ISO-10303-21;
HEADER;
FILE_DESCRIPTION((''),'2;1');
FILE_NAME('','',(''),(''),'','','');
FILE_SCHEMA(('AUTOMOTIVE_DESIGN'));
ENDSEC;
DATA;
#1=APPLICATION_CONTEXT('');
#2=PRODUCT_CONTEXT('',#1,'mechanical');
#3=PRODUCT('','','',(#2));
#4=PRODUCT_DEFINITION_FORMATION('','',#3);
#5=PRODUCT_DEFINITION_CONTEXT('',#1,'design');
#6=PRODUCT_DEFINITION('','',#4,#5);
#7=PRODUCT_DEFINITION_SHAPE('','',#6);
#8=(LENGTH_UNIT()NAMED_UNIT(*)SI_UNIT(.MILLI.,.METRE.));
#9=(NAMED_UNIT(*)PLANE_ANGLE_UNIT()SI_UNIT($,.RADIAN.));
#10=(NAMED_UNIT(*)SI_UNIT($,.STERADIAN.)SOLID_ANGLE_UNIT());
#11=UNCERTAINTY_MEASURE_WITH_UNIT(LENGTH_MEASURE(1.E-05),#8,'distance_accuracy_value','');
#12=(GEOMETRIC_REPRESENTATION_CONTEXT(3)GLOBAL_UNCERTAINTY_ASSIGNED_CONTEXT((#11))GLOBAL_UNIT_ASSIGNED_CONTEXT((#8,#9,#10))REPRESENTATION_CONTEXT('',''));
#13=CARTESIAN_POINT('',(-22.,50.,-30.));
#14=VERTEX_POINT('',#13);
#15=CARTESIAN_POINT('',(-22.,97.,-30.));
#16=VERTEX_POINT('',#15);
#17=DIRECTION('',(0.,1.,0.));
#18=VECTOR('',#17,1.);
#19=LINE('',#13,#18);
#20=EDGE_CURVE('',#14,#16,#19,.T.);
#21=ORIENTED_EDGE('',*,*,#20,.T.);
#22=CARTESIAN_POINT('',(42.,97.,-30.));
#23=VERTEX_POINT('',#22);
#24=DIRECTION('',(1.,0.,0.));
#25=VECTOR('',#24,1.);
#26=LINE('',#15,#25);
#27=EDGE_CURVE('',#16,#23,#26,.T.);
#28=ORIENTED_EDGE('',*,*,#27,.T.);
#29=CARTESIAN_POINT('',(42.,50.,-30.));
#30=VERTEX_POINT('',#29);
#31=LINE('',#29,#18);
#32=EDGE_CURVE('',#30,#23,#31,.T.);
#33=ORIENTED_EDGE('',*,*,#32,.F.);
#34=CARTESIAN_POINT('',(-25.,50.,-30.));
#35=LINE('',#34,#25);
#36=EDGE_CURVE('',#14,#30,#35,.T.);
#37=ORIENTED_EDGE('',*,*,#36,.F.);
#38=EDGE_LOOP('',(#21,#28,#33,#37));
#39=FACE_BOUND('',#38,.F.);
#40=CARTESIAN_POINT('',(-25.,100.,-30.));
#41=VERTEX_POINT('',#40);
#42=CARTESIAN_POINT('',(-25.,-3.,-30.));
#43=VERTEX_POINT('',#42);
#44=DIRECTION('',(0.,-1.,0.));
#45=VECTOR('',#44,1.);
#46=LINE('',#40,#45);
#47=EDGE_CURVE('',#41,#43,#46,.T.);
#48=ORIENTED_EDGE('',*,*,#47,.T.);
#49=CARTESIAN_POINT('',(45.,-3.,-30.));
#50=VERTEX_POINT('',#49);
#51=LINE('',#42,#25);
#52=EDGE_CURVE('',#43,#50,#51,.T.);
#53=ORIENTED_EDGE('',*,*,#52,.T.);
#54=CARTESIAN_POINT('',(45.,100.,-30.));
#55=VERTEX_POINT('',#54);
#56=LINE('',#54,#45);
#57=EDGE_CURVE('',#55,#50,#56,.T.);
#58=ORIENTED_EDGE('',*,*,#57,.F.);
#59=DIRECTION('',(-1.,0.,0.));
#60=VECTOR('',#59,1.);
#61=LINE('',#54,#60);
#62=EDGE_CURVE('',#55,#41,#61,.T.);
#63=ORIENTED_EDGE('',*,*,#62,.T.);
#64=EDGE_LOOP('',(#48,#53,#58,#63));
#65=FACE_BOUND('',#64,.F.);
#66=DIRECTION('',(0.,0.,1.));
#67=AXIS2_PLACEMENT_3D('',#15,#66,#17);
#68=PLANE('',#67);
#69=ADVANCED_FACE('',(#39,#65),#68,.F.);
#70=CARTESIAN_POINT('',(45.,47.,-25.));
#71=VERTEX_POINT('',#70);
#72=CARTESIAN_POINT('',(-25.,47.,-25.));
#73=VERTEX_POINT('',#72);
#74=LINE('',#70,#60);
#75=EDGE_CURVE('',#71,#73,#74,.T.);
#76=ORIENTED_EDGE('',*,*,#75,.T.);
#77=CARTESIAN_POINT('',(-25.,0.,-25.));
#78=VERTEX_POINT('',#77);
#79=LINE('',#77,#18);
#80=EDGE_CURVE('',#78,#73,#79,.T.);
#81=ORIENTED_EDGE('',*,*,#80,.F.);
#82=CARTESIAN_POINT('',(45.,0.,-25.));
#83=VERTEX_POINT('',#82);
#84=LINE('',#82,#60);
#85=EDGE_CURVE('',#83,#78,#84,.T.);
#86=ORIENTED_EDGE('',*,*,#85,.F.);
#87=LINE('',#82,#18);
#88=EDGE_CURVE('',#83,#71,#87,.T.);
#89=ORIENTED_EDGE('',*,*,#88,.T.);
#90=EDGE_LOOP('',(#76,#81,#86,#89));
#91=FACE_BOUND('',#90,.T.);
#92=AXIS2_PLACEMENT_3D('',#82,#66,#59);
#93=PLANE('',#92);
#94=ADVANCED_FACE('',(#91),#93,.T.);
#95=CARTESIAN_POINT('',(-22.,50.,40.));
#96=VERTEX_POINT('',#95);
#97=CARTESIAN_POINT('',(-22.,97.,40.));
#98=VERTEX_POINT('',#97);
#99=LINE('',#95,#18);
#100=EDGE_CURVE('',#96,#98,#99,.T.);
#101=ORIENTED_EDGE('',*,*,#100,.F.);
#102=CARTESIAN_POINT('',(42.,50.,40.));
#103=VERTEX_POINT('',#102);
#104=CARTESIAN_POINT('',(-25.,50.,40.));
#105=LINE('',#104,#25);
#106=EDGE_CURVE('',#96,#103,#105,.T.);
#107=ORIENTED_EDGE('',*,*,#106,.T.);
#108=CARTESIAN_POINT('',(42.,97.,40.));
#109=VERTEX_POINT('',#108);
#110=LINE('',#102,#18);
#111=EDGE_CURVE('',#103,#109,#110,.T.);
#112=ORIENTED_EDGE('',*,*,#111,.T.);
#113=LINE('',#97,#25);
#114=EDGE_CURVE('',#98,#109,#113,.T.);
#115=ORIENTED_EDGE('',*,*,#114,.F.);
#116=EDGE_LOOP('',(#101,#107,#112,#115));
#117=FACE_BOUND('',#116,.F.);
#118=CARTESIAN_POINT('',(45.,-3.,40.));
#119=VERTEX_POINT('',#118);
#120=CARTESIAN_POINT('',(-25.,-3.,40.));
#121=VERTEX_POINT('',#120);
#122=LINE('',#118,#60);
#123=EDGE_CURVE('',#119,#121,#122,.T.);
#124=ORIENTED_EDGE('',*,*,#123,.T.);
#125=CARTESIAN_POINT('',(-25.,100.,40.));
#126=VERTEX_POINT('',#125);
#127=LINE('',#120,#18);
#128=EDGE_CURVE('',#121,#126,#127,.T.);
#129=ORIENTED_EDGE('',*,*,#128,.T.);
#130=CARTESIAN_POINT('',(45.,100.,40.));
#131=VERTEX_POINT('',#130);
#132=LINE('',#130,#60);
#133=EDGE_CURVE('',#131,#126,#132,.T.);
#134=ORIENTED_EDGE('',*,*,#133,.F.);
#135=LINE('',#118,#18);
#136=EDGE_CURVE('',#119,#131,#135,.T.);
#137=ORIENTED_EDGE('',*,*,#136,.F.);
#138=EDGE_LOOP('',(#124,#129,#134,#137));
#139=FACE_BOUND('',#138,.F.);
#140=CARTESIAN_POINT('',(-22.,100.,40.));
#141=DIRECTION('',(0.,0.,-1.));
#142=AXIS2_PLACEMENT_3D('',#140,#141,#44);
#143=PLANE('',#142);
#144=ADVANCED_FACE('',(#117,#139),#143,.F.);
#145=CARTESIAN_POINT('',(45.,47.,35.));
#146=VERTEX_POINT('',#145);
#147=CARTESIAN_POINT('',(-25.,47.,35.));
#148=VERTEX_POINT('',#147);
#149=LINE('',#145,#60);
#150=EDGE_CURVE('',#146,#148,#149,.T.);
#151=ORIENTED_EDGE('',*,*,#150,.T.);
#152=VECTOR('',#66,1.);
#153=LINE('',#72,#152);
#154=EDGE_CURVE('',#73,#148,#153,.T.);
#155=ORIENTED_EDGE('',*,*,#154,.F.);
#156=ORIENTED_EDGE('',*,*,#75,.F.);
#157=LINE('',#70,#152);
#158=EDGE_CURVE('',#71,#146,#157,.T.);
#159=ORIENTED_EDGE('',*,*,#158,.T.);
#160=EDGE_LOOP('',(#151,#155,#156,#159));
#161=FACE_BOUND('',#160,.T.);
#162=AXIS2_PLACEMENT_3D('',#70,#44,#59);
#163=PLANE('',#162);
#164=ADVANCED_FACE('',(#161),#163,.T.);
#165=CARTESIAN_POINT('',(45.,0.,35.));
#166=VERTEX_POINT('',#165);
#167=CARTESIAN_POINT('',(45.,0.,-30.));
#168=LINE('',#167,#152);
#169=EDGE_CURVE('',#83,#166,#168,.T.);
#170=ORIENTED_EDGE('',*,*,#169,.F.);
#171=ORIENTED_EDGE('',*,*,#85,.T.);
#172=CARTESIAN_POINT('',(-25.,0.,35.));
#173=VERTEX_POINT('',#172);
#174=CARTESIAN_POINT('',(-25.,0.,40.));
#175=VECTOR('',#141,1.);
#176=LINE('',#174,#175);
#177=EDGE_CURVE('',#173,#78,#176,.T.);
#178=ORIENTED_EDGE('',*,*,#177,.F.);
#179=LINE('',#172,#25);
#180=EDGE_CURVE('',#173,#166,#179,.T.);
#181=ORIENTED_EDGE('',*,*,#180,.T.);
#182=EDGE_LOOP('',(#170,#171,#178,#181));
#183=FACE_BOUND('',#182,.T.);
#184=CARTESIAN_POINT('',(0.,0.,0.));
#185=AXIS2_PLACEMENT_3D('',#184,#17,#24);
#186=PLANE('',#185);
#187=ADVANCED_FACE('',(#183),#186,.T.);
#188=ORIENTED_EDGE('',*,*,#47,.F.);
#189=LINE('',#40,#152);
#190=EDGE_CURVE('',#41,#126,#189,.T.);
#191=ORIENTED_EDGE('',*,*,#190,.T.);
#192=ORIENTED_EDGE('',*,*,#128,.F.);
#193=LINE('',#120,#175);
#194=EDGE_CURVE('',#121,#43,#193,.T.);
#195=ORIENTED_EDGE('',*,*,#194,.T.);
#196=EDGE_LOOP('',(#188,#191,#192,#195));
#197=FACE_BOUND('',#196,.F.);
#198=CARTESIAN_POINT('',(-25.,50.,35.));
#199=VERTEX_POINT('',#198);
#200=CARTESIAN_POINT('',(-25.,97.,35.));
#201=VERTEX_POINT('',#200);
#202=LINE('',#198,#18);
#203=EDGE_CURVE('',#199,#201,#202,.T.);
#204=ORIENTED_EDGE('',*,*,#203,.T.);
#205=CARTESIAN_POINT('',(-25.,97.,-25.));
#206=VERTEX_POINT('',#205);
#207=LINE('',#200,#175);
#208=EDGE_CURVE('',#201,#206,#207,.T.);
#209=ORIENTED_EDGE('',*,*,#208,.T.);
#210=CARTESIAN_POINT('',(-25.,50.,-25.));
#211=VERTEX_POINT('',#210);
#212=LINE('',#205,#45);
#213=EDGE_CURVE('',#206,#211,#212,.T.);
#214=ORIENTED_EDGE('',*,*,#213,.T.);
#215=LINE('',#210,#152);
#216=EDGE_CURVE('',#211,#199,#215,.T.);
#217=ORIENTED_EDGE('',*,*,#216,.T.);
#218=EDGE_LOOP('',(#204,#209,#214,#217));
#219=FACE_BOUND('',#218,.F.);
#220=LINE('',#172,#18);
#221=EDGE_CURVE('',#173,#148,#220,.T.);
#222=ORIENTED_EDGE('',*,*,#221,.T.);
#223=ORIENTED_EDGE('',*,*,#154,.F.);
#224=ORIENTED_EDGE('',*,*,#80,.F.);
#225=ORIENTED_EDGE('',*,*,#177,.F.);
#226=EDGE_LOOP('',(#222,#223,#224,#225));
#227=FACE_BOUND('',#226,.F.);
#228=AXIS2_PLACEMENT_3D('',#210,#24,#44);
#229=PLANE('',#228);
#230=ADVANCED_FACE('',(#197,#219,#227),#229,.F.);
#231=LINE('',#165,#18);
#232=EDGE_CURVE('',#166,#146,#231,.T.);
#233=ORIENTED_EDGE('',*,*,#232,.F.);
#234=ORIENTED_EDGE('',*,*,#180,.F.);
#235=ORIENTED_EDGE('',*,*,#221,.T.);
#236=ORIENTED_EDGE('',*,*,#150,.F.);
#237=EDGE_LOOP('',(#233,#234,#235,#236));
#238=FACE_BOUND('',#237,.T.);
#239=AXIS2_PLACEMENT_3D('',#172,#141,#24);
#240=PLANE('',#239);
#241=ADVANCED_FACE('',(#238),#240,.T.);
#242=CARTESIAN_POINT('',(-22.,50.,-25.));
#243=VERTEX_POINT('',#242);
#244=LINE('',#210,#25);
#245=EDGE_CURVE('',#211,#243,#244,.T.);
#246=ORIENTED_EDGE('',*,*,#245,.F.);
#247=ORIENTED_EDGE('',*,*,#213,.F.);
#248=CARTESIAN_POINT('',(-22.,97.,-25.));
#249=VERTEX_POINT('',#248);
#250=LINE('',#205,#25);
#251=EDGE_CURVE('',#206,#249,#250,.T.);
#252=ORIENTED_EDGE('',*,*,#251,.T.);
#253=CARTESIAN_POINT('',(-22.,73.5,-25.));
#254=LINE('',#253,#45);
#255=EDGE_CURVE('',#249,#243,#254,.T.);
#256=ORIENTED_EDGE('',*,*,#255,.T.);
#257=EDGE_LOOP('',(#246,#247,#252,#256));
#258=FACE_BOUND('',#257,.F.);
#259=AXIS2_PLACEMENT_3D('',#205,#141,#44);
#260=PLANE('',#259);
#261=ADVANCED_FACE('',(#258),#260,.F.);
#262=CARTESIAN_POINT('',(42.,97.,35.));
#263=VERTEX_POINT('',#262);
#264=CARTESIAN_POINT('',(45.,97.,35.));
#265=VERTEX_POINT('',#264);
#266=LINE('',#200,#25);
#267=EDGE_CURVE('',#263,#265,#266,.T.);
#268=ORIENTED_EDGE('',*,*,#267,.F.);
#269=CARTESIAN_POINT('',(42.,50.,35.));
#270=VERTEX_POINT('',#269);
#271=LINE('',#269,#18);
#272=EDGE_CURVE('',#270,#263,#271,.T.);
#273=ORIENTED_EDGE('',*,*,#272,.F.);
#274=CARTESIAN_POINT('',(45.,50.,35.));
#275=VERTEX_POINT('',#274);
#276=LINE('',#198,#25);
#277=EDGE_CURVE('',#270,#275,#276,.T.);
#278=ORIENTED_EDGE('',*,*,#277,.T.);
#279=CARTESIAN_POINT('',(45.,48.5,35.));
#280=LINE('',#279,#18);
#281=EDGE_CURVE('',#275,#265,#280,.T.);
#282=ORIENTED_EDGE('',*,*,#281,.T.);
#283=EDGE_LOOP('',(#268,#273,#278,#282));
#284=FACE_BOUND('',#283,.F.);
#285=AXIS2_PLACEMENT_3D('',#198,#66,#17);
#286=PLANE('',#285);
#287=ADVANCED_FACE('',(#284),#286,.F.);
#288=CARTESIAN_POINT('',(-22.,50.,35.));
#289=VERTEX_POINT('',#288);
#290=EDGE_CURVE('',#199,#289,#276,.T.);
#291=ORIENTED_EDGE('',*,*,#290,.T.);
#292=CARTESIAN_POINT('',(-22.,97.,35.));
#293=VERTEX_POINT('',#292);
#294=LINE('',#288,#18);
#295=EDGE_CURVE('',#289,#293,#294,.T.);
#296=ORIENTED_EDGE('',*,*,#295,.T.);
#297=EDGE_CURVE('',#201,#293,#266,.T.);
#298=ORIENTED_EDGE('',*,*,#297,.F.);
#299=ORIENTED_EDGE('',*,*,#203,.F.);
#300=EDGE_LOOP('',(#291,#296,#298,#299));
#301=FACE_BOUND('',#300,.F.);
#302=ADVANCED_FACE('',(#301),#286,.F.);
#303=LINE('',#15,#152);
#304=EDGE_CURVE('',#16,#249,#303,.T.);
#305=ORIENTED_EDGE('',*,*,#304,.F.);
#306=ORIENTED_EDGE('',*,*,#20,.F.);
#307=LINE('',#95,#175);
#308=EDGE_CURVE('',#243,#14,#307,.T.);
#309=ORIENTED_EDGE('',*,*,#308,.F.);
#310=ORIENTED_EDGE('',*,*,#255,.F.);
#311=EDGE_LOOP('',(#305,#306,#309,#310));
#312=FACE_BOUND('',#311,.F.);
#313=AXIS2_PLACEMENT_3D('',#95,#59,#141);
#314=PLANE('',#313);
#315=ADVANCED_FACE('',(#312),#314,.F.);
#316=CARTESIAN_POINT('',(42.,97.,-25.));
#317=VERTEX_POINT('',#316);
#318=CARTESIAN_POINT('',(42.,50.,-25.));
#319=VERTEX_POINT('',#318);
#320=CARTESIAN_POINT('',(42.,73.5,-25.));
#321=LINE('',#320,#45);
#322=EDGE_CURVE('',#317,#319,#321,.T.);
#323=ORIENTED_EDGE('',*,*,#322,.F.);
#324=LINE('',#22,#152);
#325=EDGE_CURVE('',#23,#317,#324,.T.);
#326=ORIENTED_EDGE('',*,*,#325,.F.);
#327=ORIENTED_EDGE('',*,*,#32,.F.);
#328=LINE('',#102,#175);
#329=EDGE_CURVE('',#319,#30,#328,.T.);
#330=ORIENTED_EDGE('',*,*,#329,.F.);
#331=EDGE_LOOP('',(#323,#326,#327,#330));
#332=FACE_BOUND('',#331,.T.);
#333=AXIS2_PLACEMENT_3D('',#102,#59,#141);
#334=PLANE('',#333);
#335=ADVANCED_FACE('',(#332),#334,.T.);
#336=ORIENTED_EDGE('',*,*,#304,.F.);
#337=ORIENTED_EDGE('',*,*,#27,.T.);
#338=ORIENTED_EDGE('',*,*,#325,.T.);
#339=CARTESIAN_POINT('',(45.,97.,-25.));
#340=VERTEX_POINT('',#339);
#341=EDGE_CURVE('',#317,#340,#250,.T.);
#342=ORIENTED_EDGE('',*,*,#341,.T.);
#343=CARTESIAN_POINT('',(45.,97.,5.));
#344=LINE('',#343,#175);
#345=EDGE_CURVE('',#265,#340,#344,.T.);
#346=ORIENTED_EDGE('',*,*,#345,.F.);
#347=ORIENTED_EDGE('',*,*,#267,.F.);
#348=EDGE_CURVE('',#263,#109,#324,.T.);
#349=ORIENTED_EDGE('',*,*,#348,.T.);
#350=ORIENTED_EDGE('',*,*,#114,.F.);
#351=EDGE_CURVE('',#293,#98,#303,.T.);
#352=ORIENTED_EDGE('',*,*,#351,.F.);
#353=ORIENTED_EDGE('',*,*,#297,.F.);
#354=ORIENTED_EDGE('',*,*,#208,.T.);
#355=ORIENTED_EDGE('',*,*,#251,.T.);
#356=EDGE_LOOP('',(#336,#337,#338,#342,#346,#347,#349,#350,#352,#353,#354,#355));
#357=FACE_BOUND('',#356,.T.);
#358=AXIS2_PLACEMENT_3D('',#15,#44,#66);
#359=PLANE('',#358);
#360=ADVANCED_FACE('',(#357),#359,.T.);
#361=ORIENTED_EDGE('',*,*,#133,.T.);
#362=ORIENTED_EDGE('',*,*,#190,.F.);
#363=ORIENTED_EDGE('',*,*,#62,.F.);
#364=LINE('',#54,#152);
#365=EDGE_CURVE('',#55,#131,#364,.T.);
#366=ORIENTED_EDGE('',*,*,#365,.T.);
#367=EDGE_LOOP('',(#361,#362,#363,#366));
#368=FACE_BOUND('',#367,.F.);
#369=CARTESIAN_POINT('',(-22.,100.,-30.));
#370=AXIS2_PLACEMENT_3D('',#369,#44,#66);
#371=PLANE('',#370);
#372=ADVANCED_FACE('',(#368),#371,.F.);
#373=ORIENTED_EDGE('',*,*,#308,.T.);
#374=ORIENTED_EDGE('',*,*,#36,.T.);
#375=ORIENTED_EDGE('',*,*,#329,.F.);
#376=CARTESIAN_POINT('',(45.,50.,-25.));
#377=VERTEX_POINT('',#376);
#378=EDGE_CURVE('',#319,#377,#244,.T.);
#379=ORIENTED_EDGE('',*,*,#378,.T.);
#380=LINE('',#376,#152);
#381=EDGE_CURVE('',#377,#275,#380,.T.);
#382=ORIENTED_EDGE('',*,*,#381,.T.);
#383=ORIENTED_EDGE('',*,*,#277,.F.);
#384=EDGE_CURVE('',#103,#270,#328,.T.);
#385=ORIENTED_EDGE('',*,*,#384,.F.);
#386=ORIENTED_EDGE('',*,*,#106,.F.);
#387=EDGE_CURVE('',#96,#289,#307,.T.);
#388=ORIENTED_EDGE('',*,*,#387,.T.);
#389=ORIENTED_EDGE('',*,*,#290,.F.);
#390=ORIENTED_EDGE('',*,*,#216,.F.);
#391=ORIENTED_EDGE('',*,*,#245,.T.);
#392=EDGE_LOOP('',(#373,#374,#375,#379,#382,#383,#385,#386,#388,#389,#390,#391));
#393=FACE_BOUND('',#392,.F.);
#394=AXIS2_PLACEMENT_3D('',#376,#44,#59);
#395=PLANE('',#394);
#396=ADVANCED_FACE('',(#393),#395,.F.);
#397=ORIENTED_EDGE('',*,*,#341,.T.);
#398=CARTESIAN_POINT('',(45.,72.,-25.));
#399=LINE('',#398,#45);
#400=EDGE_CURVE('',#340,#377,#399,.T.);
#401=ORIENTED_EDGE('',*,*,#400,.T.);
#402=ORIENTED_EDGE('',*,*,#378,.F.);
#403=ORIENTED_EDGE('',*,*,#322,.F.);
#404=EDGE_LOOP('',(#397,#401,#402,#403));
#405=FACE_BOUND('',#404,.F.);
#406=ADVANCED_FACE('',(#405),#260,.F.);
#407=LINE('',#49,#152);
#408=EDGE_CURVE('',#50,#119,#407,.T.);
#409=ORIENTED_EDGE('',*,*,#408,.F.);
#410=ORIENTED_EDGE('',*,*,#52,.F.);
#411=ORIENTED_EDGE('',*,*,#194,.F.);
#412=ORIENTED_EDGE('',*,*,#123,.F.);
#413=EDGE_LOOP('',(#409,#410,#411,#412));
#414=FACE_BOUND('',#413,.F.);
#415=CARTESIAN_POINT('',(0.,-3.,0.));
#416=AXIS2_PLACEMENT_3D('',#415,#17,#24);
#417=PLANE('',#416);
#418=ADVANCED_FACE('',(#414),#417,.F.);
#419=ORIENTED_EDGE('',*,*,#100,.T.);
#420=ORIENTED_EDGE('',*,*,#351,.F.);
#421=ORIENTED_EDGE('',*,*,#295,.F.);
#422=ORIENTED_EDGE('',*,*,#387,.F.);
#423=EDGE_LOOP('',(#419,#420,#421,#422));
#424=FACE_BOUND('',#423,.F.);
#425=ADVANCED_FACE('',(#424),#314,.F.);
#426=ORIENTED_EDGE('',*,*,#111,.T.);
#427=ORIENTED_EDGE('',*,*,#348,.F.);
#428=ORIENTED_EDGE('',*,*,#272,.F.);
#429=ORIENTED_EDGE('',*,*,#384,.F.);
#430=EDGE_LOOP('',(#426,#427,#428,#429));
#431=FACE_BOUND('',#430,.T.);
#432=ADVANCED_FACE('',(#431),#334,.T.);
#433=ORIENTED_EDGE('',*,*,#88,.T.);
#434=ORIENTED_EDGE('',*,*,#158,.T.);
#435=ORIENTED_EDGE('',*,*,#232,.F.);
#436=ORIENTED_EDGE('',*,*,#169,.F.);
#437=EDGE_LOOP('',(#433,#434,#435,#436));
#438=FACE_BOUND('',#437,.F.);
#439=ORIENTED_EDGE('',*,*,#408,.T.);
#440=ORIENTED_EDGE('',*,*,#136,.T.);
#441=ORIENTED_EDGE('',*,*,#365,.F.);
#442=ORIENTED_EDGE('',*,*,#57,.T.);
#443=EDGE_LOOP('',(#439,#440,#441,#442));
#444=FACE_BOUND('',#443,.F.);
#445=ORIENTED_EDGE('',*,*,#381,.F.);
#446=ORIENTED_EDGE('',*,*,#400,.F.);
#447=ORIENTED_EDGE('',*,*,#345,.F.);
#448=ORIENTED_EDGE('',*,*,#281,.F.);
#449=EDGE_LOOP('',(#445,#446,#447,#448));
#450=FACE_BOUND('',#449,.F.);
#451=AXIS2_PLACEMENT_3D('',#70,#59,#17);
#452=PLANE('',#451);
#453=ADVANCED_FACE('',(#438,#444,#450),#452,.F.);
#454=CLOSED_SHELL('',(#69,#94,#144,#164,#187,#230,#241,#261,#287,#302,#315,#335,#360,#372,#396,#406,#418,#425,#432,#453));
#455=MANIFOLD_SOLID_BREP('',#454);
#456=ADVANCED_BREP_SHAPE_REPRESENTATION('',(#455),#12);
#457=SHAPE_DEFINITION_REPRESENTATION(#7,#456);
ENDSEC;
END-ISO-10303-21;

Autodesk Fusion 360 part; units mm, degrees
sketch "Sketch1" plane through (0, 0, 0) normal (0, 1, 0) x (1, 0, 0)
  line L0 (-25, 30) -> (45, 30)
  line L1 (45, 30) -> (45, -40)
  line L2 (45, -40) -> (-25, -40)
  line L3 (-25, -40) -> (-25, 30)
  dimension "d1" = 70
  dimension "d2" = 70
extrude "Extrude1" add sketch "Sketch1" against normal blind 3
sketch "Sketch2" plane through (0, 0, 0) normal (0, 1, 0) x (-1, 0, 0)
  line L0 (25, 40) -> (-45, 40)
  line L1 (-45, 40) -> (-45, -30)
  line L2 (-45, -30) -> (25, -30)
  line L3 (25, -30) -> (25, 40)
  line L4 (25, 35) -> (-45, 35)
  line L5 (-45, 35) -> (-45, 40)
  line L6 (-45, 40) -> (25, 40)
  line L7 (25, 40) -> (25, 35)
sketch "Sketch3" plane through (0, 0, 0) normal (0, 1, 0) x (-1, 0, 0)
  line L0 (25, -30) -> (-45, -30)
  line L1 (-45, -30) -> (-45, -25)
  line L2 (-45, -25) -> (25, -25)
  line L3 (25, -25) -> (25, -30)
extrude "Extrude2" add sketch "Sketch2" sketch "Sketch3" along normal blind 50 contours L0 L1 L3 L4 L5 L6 L7 of sketch 2
sketch "Sketch4" plane through (0, 0, -25) normal (0, 0, 1) x (1, 0, 0)
  line L0 (-25, 0) -> (45, 0)
  line L1 (45, 0) -> (45, 50)
  line L2 (45, 50) -> (-25, 50)
  line L3 (-25, 50) -> (-25, 0)
  line L4 (-25, 50) -> (45, 50)
  line L5 (45, 50) -> (45, 47)
  line L6 (45, 47) -> (-25, 47)
  line L7 (-25, 47) -> (-25, 50)
extrude "Extrude3" add sketch "Sketch4" along normal blind 60 contours L1 L2 L3 L4 L5 L6 L7
sketch "Sketch5" plane through (0, 50, 0) normal (0, 1, 0) x (-1, 0, 0)
  line L0 (-45, 40) -> (-45, -30)
  line L1 (-45, -30) -> (25, -30)
  line L2 (25, -30) -> (25, 40)
  line L3 (25, 40) -> (-45, 40)
  line L4 (25, 40) -> (22, 40)
  line L5 (22, 40) -> (22, -30)
  line L6 (22, -30) -> (25, -30)
  line L7 (25, -30) -> (25, 40)
  dimension "d9" = 3
sketch "Sketch6" plane through (0, 50, 0) normal (0, 1, 0) x (-1, 0, 0)
  line L0 (-45, 40) -> (-42, 40)
  line L1 (-42, 40) -> (-42, -30)
  line L2 (-42, -30) -> (-45, -30)
  line L3 (-45, -30) -> (-45, 40)
  dimension "d10" = 3
extrude "Extrude4" add sketch "Sketch6" sketch "Sketch5" along normal blind 50 of sketch 2 contours L1 L2 L3 L4 L5 L6 L7
sketch "Sketch7" plane through (-22, 0, 0) normal (1, 0, 0) x (0, 0, -1)
  line L0 (-40, 50) -> (30, 50)
  line L1 (30, 50) -> (30, 100)
  line L2 (30, 100) -> (-40, 100)
  line L3 (-40, 100) -> (-40, 50)
  line L4 (-40, 100) -> (30, 100)
  line L5 (30, 100) -> (30, 97)
  line L6 (30, 97) -> (-40, 97)
  line L7 (-40, 97) -> (-40, 100)
  dimension "d13" = 3
extrude "Extrude5" add sketch "Sketch7" along normal blind 64 contours L1 L2 L3 L4 L5 L6 L7
sketch "Sketch8" plane through (-25, 0, 0) normal (-1, 0, 0) x (0, 0, 1)
  line L0 (-30, 100) -> (-30, -3)
  line L1 (-30, -3) -> (40, -3)
  line L2 (40, -3) -> (40, 100)
  line L3 (40, 100) -> (-30, 100)
  line L4 (-25, 47) -> (35, 47)
  line L5 (35, 47) -> (35, 0)
  line L6 (35, 0) -> (-25, 0)
  line L7 (-25, 0) -> (-25, 47)
  line L8 (-25, 50) -> (35, 50)
  line L9 (35, 50) -> (35, 97)
  line L10 (35, 97) -> (-25, 97)
  line L11 (-25, 97) -> (-25, 50)
  dimension "d16" = 60
  dimension "d17" = 47
extrude "Extrude6" cut sketch "Sketch8" against normal blind 80 contours L8 L9 L10 L11
